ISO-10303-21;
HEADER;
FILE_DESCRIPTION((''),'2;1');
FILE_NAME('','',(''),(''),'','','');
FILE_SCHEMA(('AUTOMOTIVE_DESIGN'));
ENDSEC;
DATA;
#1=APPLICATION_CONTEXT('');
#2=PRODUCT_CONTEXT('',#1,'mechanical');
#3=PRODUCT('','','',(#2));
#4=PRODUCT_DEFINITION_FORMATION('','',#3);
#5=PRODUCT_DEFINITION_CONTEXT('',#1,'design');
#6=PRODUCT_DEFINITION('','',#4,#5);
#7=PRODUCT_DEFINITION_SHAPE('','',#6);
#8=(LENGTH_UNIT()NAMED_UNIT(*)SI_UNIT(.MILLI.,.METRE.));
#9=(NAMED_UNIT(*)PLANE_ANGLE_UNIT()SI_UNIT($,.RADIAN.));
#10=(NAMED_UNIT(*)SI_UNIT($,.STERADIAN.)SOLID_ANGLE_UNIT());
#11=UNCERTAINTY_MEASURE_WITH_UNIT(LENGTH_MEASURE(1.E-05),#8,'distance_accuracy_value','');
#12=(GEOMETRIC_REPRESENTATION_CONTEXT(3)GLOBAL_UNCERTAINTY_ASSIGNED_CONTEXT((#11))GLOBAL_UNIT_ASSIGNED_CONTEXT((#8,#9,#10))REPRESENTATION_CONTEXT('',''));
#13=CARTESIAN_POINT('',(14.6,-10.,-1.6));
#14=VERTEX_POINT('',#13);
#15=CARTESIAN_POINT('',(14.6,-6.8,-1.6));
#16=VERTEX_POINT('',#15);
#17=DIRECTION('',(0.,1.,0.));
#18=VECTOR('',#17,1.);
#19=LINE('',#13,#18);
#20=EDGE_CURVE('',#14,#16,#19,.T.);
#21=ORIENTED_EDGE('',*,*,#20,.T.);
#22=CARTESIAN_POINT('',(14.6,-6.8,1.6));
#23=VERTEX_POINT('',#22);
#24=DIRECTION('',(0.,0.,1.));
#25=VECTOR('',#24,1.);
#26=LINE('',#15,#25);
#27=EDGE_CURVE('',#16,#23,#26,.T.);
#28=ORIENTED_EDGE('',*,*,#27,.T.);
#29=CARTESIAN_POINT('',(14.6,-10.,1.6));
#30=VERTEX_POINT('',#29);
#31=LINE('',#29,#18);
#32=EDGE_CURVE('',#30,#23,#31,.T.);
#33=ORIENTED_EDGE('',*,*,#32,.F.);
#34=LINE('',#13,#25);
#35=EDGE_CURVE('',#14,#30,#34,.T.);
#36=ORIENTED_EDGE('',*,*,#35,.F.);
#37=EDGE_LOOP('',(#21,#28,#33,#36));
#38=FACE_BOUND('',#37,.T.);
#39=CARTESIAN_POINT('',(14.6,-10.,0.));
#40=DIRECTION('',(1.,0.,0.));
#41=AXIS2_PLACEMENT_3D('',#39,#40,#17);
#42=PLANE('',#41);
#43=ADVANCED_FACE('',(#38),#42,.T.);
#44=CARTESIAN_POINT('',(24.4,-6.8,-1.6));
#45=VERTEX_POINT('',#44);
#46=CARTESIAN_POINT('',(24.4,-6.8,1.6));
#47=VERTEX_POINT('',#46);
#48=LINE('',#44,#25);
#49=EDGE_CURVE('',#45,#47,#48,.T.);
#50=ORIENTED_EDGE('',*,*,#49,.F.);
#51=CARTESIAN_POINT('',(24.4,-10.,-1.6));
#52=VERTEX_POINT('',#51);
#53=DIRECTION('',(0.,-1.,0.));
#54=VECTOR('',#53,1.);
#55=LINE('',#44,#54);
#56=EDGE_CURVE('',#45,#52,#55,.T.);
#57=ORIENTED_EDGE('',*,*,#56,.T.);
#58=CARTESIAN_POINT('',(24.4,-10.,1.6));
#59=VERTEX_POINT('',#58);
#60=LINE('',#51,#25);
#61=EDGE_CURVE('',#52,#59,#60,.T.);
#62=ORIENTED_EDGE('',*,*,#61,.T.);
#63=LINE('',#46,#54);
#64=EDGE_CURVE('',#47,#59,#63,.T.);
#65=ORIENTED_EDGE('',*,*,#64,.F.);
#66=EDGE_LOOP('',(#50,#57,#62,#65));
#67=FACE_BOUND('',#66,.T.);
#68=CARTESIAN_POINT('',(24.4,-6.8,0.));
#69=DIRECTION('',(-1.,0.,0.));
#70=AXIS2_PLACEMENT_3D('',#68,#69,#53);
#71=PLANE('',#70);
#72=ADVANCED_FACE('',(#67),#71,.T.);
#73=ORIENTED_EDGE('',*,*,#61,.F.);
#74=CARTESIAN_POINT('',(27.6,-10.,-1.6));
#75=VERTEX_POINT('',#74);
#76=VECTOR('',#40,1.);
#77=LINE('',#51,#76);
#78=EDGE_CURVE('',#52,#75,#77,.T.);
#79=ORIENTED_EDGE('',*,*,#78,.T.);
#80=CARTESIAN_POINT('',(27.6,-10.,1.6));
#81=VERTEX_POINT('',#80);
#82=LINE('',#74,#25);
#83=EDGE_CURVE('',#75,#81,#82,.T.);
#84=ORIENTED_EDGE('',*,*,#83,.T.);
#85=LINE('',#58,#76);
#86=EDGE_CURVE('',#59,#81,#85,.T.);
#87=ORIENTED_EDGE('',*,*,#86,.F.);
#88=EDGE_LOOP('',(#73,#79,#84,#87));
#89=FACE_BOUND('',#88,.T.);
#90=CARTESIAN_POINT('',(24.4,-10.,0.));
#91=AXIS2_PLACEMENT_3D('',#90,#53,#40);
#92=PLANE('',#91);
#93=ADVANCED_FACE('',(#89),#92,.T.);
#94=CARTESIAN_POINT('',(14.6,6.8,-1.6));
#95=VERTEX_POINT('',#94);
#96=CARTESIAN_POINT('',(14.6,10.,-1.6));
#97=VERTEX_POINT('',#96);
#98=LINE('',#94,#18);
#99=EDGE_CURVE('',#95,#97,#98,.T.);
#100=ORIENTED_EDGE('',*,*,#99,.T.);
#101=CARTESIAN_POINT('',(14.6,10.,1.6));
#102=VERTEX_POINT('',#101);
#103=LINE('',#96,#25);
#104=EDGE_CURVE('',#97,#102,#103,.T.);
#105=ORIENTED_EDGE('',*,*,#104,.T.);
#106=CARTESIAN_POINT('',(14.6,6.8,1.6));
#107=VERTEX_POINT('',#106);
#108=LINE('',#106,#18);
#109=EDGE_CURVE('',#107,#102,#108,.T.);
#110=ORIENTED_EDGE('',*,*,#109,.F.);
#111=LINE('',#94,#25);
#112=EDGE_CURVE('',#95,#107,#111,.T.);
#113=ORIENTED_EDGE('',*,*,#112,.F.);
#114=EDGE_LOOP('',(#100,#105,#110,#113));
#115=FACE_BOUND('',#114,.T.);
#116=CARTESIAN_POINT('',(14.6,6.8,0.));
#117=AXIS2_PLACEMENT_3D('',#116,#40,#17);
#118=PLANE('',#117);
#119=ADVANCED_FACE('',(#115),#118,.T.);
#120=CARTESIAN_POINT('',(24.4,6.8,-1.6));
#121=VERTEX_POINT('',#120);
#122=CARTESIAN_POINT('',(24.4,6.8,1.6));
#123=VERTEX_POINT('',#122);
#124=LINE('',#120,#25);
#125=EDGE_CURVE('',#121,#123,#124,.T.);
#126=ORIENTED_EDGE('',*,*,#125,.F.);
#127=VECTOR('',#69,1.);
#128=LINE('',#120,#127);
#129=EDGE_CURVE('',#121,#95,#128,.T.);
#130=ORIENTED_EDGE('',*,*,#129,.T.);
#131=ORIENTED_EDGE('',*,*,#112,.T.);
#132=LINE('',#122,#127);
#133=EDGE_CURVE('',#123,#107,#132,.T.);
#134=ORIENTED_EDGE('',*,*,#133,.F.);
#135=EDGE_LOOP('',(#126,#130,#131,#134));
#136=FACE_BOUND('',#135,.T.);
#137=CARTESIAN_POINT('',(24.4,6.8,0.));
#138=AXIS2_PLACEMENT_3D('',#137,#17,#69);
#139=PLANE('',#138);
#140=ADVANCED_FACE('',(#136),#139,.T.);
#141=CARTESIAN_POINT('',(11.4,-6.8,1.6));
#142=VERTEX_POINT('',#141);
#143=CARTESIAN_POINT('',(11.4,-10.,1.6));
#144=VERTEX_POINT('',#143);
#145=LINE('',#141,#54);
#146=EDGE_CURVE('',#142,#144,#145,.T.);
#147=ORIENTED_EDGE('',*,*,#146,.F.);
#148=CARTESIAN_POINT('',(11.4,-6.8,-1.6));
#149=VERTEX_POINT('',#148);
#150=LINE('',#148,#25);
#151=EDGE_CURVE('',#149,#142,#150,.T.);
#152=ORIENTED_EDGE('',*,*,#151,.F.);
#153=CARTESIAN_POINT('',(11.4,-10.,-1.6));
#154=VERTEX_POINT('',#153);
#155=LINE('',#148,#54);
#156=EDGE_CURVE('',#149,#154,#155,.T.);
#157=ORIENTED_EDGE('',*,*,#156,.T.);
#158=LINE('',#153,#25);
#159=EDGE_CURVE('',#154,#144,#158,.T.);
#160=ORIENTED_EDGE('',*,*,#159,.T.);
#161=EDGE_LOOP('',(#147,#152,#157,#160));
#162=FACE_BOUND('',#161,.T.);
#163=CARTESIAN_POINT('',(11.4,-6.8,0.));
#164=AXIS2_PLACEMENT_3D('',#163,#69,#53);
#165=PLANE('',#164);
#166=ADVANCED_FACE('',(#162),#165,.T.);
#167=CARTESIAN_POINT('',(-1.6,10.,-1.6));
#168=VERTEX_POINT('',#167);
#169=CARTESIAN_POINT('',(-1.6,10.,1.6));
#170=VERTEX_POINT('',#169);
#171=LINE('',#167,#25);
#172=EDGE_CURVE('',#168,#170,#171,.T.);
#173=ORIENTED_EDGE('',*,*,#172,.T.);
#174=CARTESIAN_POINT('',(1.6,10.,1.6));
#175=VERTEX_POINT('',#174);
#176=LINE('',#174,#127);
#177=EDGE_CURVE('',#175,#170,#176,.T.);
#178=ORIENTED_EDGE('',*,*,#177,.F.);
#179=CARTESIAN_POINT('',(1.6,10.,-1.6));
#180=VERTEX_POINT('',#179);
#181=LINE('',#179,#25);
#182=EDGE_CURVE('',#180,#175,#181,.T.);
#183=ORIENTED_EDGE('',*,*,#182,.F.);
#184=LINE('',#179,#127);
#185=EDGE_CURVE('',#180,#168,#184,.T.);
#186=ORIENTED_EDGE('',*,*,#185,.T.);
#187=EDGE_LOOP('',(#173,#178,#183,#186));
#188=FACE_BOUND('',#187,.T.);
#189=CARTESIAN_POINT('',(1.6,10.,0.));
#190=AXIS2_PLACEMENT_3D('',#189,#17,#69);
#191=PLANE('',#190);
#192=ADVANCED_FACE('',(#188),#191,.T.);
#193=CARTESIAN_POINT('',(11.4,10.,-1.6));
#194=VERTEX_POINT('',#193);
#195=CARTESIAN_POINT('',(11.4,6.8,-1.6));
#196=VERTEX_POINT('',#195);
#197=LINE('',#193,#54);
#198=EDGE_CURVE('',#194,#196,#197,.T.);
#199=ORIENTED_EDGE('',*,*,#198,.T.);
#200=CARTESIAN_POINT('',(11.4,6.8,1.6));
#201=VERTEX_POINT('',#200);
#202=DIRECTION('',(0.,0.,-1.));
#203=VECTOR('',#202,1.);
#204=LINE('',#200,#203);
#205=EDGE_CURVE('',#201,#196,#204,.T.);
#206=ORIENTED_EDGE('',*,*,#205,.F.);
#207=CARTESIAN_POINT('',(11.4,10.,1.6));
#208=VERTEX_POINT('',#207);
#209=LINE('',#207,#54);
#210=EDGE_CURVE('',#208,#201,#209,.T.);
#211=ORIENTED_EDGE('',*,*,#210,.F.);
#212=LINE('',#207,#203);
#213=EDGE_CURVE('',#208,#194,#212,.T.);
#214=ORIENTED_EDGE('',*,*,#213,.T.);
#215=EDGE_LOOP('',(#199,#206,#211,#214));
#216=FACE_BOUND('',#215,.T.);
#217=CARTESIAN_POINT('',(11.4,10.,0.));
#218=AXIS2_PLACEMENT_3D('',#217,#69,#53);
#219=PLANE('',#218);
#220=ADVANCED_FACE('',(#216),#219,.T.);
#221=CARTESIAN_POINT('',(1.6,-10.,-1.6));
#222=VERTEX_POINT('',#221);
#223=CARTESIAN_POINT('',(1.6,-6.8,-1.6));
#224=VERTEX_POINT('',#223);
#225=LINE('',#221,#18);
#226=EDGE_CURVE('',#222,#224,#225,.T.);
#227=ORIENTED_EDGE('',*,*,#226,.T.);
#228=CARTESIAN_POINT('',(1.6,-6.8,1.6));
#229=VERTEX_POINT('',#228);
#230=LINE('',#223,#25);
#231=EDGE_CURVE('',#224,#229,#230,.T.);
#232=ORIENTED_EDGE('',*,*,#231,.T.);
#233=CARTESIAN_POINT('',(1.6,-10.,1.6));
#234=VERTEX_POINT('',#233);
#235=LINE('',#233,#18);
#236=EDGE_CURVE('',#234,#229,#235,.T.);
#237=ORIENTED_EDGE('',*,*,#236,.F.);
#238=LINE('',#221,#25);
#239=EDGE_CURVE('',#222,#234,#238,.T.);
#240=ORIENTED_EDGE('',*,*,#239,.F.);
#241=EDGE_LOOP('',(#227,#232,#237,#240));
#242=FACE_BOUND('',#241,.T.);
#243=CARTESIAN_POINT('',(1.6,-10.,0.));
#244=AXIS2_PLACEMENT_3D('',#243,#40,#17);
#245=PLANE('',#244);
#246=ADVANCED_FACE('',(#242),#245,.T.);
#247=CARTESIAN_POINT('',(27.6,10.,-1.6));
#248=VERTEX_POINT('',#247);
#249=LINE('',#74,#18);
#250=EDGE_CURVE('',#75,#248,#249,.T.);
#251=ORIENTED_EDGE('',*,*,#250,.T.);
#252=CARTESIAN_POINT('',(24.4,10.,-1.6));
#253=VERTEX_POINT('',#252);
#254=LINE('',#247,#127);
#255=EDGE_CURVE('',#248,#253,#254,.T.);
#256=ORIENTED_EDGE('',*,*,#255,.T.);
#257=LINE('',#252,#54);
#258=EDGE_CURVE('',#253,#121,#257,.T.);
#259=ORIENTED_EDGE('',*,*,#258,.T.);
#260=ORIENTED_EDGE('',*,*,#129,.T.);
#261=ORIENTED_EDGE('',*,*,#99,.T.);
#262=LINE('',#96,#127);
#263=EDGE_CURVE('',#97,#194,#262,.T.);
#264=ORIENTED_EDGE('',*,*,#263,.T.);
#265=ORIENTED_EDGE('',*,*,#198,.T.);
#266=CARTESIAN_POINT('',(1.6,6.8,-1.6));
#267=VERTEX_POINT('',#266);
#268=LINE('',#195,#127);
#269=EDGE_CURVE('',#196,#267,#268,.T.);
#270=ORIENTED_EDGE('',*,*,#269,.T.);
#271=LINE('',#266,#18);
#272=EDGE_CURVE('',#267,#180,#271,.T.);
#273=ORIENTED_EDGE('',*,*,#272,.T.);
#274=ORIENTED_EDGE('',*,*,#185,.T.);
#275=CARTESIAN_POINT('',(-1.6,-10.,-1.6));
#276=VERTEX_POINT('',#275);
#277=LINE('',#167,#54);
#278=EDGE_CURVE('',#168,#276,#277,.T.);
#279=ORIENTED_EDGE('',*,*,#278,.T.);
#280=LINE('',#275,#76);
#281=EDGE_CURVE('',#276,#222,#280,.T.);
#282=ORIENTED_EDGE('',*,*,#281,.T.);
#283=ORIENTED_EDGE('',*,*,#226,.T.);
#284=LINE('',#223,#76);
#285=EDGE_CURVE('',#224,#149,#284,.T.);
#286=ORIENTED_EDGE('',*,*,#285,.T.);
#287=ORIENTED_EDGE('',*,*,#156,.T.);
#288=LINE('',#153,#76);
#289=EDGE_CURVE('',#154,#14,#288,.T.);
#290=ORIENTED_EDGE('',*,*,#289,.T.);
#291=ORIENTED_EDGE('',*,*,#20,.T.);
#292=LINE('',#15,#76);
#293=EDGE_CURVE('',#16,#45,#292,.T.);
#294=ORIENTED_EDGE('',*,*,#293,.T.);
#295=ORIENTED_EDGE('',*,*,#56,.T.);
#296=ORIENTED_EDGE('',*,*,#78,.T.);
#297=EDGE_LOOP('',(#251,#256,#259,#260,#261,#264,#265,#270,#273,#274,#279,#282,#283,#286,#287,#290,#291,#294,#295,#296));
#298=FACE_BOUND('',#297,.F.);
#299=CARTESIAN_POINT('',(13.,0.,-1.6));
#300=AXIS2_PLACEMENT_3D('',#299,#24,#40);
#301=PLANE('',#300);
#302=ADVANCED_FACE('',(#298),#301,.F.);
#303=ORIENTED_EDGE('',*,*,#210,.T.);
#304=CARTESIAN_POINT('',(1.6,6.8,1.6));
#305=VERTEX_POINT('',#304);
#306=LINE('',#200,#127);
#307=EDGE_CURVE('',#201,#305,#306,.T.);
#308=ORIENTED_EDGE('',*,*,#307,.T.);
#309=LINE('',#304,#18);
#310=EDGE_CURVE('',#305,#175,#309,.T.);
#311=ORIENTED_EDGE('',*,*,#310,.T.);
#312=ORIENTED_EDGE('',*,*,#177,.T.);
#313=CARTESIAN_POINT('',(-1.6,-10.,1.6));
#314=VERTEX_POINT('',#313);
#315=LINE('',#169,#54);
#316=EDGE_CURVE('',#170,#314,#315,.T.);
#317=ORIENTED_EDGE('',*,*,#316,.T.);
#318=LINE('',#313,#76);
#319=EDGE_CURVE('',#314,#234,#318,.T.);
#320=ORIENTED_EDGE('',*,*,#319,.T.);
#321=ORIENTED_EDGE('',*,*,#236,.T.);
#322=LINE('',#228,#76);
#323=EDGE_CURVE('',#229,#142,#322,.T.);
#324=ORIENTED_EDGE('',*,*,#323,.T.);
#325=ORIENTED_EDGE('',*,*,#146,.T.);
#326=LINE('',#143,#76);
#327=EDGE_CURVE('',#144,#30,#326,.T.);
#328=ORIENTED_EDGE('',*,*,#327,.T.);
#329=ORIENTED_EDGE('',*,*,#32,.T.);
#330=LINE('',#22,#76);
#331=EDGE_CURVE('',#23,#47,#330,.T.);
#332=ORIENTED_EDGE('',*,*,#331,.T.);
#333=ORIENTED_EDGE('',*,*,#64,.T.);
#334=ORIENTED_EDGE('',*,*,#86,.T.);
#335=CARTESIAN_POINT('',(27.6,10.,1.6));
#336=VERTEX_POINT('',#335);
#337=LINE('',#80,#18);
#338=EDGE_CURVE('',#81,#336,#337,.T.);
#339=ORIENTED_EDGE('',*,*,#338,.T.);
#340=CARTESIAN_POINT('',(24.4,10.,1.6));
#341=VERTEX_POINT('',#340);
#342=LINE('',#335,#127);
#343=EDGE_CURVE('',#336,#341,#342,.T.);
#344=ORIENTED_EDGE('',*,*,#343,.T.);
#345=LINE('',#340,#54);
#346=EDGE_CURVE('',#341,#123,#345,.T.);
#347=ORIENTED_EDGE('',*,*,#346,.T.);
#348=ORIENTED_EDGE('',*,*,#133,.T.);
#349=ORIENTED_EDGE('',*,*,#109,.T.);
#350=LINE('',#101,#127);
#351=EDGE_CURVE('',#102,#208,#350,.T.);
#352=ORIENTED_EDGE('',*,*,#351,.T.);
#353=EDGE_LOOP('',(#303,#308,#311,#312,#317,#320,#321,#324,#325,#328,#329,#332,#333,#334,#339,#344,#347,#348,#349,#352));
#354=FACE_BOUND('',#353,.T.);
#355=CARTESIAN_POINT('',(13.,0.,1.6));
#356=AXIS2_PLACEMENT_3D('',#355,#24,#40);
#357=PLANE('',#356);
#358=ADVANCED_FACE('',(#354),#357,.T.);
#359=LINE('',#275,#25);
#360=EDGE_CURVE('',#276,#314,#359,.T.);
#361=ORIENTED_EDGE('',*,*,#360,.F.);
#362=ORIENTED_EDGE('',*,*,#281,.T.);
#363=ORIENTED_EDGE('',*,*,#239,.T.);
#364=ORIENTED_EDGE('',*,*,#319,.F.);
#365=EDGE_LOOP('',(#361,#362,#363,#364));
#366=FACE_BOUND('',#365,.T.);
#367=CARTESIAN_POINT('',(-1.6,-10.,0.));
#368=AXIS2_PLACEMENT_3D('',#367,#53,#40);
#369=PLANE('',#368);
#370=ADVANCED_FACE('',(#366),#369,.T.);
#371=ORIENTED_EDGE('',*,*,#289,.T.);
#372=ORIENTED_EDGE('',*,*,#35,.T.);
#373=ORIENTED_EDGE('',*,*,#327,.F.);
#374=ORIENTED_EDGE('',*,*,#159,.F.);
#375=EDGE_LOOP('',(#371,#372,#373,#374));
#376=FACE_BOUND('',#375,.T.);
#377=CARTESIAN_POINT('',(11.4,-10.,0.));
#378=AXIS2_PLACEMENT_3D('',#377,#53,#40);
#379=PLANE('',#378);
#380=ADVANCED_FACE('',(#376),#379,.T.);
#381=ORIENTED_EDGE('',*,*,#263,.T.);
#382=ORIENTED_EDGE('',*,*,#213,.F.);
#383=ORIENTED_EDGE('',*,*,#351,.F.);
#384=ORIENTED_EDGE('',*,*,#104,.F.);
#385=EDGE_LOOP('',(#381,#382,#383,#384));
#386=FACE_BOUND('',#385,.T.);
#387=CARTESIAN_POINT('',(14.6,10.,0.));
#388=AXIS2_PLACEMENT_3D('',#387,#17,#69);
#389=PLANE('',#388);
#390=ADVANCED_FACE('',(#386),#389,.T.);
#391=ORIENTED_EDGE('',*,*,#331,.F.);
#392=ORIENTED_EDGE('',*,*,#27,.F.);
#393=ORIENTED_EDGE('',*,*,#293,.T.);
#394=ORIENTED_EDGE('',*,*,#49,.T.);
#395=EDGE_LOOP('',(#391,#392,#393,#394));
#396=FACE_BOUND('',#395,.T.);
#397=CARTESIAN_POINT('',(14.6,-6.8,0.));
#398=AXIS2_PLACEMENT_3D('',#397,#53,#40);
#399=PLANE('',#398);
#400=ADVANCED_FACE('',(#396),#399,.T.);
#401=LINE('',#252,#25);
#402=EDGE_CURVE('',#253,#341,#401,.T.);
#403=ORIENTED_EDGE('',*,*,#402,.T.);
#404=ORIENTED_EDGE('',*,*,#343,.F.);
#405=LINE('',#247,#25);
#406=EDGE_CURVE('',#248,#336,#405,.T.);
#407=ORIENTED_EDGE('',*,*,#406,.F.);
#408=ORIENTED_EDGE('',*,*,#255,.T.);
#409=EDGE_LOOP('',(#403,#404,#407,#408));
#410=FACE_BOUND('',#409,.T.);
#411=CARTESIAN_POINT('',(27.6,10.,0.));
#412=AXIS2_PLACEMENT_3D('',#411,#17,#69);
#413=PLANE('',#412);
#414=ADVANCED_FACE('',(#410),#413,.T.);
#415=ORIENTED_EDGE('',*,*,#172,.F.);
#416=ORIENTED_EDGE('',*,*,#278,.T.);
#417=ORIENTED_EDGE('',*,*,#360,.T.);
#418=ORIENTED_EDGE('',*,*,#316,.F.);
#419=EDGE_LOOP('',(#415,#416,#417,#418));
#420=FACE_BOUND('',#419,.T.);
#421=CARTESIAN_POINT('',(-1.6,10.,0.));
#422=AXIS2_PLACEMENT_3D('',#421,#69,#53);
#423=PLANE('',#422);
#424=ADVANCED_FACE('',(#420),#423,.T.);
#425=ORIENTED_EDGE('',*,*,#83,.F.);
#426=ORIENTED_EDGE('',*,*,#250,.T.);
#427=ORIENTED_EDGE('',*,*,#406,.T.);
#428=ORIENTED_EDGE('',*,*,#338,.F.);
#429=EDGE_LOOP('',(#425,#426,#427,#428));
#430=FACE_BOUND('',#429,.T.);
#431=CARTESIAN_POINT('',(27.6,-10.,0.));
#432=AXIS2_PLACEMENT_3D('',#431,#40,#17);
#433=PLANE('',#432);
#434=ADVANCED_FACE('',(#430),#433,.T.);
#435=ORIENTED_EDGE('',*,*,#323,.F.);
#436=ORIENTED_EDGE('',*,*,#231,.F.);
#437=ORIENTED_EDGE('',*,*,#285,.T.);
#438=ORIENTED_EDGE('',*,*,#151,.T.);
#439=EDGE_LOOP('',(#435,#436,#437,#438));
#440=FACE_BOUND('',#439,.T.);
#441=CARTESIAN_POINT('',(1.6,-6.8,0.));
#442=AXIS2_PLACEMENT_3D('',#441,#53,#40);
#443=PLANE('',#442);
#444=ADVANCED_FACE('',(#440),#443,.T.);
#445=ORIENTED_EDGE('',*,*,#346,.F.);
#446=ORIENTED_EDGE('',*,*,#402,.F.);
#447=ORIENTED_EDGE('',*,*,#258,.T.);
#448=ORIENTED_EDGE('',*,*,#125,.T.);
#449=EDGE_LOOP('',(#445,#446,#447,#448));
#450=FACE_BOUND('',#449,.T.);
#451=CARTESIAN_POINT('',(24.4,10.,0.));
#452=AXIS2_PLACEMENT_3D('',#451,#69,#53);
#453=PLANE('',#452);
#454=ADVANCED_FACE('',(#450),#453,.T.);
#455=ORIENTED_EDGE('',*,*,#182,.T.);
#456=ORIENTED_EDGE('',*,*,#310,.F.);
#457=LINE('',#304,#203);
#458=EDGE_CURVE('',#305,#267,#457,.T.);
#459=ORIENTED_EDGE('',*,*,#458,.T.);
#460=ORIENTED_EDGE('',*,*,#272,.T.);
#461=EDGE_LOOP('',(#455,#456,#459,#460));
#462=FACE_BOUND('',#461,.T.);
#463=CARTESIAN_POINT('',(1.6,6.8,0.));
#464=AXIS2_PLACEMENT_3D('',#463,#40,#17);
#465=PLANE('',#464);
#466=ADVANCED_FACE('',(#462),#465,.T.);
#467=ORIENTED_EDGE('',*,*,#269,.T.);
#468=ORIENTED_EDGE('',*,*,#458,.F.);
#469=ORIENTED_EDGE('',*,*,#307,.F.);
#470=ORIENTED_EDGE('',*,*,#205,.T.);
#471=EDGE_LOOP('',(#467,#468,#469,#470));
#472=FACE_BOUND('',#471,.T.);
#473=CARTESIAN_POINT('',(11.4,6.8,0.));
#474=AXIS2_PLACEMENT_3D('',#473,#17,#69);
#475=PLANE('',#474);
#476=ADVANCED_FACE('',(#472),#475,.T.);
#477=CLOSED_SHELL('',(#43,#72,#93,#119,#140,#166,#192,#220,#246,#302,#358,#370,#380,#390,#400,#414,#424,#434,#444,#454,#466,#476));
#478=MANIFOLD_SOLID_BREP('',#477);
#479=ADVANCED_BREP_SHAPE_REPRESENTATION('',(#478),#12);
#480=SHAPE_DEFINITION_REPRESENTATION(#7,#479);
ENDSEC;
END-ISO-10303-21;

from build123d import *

# Parameters (mm, degrees)
F1_DEPTH = 1.6


with BuildPart() as f1:
    # F0 (on Top) → F1 (new body, symmetric)
    with BuildSketch(Plane.XY):
        Polygon((1.6, 6.8), (1.6, 10), (-1.6, 10), (-1.6, -10), (1.6, -10), (1.6, -6.8), (11.4, -6.8), (11.4, -10), (14.6, -10), (14.6, -6.8), (24.4, -6.8), (24.4, -10), (27.6, -10), (27.6, 10), (24.4, 10), (24.4, 6.8), (14.6, 6.8), (14.6, 10), (11.4, 10), (11.4, 6.8), align=None)
    extrude(amount=F1_DEPTH, both=True)


solid = f1.part
